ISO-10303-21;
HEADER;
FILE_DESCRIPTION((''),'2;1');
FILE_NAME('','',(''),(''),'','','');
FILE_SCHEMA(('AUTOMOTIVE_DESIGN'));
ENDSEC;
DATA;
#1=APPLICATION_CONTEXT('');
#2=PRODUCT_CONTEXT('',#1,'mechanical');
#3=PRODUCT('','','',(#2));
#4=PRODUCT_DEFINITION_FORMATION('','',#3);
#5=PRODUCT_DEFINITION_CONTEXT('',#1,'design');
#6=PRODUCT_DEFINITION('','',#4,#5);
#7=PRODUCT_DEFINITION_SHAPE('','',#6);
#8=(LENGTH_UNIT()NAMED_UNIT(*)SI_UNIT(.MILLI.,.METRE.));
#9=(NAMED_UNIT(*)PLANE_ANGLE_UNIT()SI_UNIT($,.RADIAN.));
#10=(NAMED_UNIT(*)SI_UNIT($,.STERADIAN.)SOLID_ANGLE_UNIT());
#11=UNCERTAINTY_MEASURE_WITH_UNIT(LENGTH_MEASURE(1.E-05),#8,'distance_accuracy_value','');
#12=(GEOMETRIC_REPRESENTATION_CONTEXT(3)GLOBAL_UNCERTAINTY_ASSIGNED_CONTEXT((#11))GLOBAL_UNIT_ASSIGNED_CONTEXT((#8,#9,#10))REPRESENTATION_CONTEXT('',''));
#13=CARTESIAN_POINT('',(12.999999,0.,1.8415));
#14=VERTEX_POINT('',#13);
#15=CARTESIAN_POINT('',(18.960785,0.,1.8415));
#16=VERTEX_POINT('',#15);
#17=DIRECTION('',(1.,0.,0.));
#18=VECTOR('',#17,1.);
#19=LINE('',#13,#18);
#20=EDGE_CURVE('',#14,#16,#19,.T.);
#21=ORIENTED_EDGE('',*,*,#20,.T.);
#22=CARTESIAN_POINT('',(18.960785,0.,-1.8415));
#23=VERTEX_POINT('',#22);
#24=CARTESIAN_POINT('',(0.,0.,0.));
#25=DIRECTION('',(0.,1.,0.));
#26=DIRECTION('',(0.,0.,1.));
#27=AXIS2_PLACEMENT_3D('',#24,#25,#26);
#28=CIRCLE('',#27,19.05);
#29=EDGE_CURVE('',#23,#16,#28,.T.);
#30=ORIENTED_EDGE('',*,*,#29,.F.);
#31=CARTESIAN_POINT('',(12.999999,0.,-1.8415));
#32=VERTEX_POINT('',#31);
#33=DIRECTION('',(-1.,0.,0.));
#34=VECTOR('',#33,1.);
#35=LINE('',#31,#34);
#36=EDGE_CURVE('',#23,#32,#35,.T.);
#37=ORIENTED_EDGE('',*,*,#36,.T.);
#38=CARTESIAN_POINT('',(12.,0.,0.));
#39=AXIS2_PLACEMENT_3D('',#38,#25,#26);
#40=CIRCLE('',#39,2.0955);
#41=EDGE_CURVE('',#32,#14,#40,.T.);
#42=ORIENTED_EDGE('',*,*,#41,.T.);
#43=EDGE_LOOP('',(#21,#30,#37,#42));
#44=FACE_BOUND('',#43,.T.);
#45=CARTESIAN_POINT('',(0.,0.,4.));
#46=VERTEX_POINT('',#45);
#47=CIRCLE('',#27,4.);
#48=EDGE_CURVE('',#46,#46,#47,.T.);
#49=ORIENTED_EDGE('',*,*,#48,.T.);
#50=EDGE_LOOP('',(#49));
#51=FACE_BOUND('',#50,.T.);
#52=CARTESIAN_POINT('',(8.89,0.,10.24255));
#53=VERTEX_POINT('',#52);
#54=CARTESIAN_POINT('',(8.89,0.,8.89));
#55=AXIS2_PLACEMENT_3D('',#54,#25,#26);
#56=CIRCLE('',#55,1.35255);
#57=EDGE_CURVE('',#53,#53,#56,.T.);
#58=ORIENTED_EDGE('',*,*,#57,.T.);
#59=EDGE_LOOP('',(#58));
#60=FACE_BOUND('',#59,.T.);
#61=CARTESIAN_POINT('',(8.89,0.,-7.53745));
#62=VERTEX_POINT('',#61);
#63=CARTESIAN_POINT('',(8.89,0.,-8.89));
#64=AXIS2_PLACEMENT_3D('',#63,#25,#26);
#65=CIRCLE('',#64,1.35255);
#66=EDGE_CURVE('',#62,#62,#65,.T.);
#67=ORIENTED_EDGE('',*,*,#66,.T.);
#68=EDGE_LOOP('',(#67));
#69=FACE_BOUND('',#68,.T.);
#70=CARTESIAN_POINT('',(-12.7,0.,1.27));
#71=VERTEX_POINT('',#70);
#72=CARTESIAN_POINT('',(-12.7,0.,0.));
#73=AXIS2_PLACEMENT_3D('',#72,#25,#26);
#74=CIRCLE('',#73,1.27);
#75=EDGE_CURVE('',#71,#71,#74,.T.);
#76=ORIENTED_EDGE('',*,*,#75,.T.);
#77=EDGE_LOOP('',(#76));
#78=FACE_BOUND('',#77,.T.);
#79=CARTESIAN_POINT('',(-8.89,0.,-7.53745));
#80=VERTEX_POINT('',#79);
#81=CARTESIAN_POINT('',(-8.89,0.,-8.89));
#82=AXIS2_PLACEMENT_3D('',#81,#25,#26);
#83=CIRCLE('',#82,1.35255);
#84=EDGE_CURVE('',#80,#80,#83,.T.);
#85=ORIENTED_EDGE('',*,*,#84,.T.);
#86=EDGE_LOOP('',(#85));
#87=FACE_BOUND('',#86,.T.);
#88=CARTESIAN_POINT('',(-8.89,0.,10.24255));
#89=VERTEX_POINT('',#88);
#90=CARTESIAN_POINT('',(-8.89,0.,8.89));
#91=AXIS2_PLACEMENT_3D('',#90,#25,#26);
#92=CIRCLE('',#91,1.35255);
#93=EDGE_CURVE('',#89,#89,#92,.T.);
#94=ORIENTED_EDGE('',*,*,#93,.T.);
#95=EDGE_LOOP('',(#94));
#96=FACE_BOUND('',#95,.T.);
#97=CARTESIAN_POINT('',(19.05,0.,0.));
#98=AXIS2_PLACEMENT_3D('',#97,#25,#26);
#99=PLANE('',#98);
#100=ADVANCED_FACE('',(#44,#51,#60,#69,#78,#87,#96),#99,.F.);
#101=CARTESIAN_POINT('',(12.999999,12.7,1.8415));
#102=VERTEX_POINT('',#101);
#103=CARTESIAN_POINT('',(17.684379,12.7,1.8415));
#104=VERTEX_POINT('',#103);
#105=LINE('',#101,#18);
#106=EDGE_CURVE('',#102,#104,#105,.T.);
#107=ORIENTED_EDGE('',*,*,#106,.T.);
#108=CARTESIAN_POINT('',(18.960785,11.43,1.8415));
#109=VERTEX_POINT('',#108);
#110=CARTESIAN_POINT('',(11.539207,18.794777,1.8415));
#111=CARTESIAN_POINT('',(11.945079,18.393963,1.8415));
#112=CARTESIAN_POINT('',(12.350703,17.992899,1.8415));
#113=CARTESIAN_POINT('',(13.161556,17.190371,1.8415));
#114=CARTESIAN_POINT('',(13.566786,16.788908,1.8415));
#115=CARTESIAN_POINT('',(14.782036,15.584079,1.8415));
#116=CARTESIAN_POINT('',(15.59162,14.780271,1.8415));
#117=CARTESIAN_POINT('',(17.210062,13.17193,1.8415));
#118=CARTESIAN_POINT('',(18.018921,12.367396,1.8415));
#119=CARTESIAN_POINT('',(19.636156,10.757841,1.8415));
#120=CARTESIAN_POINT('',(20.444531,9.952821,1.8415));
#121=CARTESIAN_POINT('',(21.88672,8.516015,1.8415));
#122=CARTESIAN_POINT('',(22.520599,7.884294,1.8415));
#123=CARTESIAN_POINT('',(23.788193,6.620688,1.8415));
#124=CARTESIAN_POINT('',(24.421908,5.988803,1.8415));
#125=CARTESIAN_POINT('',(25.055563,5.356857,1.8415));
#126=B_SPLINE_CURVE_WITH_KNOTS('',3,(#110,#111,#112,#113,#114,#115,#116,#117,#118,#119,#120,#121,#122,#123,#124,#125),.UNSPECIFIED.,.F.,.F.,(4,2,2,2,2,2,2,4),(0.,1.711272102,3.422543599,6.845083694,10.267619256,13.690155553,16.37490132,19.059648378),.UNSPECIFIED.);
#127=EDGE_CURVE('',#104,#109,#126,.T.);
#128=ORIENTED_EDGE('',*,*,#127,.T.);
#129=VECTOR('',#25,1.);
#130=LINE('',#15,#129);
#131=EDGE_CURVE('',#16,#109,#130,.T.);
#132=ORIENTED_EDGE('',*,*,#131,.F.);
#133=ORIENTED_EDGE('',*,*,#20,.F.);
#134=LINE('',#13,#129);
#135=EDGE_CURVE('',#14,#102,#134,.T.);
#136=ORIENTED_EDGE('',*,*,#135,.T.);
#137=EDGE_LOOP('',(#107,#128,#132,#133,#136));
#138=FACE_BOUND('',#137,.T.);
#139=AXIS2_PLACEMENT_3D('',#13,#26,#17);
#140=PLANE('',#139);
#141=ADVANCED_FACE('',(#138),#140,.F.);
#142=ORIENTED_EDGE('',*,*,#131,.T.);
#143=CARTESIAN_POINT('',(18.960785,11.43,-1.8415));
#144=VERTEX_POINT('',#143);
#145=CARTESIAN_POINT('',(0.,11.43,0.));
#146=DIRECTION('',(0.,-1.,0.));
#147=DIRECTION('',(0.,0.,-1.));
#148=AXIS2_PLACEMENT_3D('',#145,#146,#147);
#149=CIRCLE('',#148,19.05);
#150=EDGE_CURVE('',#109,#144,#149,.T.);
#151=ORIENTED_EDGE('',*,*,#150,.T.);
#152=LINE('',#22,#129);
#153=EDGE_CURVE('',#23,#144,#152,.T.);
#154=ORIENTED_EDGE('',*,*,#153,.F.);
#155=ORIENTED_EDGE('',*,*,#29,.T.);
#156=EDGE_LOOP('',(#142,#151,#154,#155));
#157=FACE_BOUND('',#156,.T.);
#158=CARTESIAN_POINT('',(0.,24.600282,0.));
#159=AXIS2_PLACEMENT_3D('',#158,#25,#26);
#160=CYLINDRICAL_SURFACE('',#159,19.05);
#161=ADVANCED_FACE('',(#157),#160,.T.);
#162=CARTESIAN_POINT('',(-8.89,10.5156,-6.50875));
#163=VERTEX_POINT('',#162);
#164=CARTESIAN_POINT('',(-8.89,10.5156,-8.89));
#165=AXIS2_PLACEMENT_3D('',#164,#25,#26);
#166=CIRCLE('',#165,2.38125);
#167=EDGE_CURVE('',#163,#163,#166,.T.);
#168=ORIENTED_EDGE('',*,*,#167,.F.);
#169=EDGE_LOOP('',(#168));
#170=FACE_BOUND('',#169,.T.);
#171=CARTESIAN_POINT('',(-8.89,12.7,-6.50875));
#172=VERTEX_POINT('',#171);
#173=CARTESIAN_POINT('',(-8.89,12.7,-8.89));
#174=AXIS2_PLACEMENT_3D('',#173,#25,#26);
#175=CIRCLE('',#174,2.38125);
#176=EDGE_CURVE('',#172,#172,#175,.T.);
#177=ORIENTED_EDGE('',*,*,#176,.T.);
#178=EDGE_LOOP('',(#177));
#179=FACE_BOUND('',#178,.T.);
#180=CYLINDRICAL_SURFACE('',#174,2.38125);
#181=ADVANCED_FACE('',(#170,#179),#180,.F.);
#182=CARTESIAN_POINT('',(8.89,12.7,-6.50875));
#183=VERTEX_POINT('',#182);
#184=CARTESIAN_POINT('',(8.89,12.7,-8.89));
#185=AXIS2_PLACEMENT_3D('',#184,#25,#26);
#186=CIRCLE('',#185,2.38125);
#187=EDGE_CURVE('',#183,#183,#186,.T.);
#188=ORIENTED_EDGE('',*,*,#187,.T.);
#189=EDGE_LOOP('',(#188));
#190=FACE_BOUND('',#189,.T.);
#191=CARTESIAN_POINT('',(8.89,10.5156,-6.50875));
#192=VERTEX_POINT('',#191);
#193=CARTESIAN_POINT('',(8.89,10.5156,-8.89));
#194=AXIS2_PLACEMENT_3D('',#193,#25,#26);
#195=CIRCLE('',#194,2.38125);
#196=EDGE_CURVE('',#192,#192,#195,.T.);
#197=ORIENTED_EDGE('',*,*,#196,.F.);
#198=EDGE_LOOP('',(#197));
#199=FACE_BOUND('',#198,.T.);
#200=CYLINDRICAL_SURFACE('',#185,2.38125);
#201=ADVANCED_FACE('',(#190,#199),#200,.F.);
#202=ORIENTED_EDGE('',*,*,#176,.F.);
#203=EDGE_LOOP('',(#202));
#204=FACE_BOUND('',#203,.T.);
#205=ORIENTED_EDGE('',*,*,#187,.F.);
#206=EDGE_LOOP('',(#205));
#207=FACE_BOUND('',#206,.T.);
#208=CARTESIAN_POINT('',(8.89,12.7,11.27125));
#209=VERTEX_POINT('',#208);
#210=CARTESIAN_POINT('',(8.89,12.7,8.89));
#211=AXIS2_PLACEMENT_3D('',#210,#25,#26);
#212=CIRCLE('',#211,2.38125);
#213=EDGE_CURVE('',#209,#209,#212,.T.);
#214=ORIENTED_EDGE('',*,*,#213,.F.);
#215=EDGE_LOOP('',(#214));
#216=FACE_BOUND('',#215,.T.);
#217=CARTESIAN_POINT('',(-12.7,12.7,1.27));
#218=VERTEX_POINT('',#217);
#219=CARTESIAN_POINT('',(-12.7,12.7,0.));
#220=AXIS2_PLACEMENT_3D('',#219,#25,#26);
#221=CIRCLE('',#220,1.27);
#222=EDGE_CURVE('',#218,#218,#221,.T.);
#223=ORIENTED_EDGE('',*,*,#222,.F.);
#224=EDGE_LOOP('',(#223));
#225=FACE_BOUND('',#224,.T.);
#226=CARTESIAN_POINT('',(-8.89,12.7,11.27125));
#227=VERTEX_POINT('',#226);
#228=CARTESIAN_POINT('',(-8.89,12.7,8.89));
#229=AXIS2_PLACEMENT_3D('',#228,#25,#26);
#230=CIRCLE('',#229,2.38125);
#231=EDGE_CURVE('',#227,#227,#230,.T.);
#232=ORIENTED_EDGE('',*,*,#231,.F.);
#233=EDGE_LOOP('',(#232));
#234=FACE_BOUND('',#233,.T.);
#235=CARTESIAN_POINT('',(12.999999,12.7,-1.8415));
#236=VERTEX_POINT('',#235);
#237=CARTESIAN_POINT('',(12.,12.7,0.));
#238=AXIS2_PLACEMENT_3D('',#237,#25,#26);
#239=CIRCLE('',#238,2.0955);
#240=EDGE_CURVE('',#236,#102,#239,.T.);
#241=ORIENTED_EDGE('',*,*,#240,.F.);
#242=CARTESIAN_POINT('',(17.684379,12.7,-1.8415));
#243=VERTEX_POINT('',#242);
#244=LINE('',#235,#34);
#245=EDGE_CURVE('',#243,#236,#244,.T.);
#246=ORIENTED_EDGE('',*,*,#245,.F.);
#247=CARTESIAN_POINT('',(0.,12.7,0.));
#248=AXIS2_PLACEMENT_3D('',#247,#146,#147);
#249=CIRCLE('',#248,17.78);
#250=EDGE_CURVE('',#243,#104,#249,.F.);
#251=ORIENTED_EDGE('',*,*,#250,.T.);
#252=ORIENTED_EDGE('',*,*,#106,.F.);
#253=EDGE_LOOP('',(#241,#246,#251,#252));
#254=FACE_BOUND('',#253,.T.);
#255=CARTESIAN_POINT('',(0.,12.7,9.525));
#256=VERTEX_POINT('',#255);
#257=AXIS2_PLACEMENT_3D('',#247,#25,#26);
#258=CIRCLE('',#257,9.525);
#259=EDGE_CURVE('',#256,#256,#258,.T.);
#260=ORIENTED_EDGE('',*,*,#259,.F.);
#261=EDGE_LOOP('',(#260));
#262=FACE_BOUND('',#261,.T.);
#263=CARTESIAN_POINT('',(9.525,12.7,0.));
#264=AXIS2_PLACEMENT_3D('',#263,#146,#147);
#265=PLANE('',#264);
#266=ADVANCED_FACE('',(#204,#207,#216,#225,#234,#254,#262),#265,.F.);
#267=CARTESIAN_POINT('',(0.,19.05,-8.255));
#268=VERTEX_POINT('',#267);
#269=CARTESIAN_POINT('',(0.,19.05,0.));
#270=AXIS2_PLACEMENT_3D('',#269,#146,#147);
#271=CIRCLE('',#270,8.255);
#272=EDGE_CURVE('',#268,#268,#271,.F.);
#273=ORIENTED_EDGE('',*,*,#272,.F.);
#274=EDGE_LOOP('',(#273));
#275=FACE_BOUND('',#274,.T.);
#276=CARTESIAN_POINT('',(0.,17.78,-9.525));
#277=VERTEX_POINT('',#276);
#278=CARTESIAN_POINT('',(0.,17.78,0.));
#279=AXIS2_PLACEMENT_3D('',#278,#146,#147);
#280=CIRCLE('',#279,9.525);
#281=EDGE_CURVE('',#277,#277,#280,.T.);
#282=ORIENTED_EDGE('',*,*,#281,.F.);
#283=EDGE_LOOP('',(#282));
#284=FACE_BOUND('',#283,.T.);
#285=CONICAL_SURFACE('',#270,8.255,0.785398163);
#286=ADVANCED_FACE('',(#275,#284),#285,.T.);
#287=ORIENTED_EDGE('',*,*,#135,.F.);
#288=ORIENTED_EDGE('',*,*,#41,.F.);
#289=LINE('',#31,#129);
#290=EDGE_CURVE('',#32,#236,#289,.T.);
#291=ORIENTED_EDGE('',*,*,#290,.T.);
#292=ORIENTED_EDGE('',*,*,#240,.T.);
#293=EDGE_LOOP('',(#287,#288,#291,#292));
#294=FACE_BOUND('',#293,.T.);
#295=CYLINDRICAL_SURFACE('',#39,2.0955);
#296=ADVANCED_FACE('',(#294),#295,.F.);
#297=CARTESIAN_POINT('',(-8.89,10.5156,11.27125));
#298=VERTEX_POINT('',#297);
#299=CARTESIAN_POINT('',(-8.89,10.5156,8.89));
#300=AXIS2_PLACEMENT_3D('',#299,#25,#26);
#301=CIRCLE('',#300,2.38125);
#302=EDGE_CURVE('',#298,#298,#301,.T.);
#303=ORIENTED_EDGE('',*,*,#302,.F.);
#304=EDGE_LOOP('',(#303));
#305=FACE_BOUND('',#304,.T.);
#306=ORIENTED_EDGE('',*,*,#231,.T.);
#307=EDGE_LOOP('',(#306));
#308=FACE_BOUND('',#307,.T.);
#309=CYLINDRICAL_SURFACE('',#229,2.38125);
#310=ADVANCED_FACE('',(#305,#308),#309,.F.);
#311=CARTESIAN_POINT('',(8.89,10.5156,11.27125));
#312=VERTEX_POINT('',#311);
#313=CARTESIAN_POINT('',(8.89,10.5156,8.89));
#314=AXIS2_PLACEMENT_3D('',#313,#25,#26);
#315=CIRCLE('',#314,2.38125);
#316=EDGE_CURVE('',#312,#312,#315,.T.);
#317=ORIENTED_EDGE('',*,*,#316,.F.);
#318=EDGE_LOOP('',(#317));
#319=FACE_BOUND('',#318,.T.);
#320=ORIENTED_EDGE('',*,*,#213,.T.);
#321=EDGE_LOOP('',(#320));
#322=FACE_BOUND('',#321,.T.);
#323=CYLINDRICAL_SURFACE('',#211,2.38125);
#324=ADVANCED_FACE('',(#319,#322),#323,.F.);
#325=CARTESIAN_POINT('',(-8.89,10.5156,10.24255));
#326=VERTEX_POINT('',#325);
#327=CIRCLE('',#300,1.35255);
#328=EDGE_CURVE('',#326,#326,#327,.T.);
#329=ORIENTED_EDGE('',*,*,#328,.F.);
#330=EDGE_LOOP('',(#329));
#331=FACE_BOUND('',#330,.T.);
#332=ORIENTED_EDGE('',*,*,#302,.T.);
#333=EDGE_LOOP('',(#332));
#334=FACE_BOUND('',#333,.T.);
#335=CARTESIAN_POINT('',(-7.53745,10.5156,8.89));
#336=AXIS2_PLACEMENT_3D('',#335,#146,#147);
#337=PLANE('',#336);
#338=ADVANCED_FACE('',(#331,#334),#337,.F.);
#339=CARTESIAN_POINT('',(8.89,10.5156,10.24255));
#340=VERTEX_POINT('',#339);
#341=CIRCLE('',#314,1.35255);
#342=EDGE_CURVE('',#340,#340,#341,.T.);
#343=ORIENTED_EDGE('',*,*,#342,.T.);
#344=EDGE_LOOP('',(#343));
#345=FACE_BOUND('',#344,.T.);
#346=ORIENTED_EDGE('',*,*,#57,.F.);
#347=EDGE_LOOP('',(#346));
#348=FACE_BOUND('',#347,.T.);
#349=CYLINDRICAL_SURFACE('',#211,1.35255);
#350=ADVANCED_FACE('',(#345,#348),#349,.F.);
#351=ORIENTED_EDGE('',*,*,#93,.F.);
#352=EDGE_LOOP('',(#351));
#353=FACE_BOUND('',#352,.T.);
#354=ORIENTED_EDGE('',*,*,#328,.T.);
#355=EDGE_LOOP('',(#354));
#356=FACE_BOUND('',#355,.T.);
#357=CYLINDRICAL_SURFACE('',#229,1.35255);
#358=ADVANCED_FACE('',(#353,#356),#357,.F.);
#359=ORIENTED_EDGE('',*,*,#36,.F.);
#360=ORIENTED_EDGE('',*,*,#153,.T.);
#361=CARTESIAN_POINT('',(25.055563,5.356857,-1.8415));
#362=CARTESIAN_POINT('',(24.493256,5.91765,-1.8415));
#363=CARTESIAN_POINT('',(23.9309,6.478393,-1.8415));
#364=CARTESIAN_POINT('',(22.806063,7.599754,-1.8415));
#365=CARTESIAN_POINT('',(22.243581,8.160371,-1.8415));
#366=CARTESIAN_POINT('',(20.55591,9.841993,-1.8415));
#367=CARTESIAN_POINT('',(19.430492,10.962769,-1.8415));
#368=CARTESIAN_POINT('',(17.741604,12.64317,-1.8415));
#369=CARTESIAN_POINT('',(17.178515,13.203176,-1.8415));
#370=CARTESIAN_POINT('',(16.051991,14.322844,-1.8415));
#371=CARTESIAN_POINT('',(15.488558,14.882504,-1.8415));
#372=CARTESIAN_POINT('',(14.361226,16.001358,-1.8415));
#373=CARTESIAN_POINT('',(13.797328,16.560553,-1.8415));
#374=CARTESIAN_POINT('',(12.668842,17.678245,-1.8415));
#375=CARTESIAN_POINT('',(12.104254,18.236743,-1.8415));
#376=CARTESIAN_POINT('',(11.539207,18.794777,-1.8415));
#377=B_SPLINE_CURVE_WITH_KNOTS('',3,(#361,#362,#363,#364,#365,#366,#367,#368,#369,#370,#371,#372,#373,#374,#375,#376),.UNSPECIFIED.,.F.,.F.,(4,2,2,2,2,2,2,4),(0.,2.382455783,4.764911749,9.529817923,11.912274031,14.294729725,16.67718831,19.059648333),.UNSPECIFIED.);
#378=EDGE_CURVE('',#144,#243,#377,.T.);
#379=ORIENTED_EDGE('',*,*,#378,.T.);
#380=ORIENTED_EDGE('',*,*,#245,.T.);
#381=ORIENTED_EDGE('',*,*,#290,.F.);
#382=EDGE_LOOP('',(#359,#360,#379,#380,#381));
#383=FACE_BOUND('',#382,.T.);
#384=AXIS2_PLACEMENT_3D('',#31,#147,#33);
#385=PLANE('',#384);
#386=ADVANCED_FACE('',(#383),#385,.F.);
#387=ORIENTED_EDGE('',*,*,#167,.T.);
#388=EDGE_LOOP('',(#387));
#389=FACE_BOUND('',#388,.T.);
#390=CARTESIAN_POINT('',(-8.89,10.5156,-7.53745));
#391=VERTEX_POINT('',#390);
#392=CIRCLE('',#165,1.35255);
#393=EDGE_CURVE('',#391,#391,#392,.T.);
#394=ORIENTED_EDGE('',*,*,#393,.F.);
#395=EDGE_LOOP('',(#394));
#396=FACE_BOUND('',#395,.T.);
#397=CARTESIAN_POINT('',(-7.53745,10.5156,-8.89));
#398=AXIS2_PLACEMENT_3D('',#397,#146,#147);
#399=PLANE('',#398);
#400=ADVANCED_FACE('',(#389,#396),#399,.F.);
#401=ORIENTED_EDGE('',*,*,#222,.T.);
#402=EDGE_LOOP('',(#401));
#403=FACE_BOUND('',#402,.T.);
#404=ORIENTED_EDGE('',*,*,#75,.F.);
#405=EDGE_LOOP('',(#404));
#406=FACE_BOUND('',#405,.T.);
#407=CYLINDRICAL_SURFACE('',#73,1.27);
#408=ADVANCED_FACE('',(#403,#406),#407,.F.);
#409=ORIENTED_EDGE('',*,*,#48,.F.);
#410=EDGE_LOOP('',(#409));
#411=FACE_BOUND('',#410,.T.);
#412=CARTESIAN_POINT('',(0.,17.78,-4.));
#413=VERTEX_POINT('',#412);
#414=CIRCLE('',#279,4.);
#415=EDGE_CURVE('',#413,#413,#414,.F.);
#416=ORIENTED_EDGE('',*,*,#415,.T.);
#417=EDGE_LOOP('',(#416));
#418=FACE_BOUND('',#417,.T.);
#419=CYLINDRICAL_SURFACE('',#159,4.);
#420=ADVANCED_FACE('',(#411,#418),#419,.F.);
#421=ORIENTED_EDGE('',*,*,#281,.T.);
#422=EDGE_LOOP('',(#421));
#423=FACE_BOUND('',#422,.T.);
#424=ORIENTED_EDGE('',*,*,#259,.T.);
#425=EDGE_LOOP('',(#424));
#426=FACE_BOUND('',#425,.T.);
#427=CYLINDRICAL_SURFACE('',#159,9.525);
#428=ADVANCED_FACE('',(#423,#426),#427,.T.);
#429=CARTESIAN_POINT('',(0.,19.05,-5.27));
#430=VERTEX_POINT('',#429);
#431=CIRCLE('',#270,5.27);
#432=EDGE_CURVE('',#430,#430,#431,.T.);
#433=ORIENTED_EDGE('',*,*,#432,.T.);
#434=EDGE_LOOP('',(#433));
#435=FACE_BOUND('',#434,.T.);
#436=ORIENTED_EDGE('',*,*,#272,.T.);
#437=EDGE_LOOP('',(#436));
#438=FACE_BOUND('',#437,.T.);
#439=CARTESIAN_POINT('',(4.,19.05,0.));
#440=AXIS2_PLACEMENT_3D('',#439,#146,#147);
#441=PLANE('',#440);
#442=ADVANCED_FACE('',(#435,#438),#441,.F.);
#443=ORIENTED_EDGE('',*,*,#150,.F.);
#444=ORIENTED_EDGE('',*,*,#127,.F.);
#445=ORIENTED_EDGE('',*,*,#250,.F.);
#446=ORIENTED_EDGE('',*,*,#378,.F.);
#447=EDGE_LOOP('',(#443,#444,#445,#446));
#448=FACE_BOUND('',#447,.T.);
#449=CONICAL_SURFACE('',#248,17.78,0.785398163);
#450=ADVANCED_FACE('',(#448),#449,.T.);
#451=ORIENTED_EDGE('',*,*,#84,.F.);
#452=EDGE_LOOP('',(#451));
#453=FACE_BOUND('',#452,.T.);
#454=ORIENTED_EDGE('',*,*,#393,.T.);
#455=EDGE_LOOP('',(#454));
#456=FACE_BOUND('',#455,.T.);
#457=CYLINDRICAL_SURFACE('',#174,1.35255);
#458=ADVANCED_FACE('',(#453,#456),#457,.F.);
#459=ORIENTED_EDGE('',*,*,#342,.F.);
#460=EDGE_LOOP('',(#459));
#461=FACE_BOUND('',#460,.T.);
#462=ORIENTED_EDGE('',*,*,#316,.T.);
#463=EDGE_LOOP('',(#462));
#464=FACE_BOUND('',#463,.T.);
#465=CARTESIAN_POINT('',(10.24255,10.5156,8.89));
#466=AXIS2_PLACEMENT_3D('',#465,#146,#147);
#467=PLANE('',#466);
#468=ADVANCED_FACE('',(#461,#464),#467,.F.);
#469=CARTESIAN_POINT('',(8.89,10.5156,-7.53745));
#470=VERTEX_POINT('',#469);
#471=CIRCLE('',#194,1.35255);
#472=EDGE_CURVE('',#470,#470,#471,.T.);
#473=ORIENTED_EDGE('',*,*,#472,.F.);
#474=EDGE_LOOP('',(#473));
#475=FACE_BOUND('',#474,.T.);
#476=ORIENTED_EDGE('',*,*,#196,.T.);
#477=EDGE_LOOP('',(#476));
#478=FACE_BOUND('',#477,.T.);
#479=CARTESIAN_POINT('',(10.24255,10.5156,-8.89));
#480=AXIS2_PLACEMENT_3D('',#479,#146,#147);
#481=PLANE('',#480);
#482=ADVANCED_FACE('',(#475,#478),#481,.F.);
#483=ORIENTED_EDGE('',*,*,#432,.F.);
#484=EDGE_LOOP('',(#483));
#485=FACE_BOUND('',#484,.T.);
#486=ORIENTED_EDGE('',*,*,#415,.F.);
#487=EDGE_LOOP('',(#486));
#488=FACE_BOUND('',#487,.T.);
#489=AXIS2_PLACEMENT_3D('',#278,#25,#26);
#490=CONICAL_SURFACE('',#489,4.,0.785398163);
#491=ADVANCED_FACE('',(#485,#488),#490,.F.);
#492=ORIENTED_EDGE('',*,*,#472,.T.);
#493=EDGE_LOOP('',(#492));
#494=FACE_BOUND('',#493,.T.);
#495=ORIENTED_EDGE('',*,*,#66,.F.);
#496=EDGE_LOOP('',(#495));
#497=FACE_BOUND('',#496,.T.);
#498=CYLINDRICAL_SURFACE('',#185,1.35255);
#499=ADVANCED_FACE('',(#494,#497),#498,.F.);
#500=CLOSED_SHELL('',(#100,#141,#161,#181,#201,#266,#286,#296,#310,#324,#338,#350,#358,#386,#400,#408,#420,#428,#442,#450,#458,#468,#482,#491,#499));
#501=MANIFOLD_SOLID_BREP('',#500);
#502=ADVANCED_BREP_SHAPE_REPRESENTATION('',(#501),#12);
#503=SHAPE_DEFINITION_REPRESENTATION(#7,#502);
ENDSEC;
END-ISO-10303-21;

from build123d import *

# Parameters (mm, degrees)
CHAMFER1_SIZE                                  = 1.27
CBORE_FOR_2_SOCKET_HEAD_CAP_SCREW1_D           = 2.7051
CBORE_FOR_2_SOCKET_HEAD_CAP_SCREW1_DEPTH       = 12.7
CBORE_FOR_2_SOCKET_HEAD_CAP_SCREW1_CBORE_D     = 4.7625
CBORE_FOR_2_SOCKET_HEAD_CAP_SCREW1_CBORE_DEPTH = 2.1844
CUT_EXTRUDE1_DEPTH                             = 13.7
SKETCH7_R                                      = 1.27
CUT_EXTRUDE2_DEPTH                             = 13.7


with BuildPart() as part:
    # Sketch1 → Revolve1 (revolve)
    with BuildSketch(Plane.XY):
        Polygon((4, 19.05), (9.525, 19.05), (9.525, 12.7), (19.05, 12.7), (19.05, 0), (4, 0), align=None)
    revolve(axis=Axis((0, 24.600281955, 0), (0, -1, 0)))

    # Chamfer1
    chamfer1_edges = [part.edges().sort_by_distance(p)[0] for p in [
        (-19.05, 12.7, 0),
        (-9.525, 19.05, 0),
        (-4, 19.05, 0),
    ]]
    chamfer(chamfer1_edges, length=CHAMFER1_SIZE)

    # CBORE for #2 Socket Head Cap Screw1
    with Locations(Plane(origin=(0, 12.7, 0), x_dir=(1, 0, 0), z_dir=(0, 1, 0))):
        with Locations((-8.89, -8.89), (8.89, -8.89), (8.89, 8.89), (-8.89, 8.89)):
            CounterBoreHole(CBORE_FOR_2_SOCKET_HEAD_CAP_SCREW1_D / 2, CBORE_FOR_2_SOCKET_HEAD_CAP_SCREW1_CBORE_D / 2, CBORE_FOR_2_SOCKET_HEAD_CAP_SCREW1_CBORE_DEPTH, depth=CBORE_FOR_2_SOCKET_HEAD_CAP_SCREW1_DEPTH)

    # Sketch6 → Cut-Extrude1 (cut, through all)
    with BuildSketch(Plane(origin=(0, 12.7, 0), x_dir=(1, 0, 0), z_dir=(0, 1, 0))):
        with BuildLine():
            Line((12.999999, 1.8415), (18.960785262, 1.8415))
            ThreePointArc((18.960785262, 1.8415), (19.05, 0), (18.960785262, -1.8415))
            Line((18.960785262, -1.8415), (12.999999, -1.8415))
            ThreePointArc((12.999999, -1.8415), (9.9045, 0), (12.999999, 1.8415))
        make_face()
    extrude(amount=-CUT_EXTRUDE1_DEPTH, mode=Mode.SUBTRACT)

    # Sketch7 → Cut-Extrude2 (cut, through all)
    with BuildSketch(Plane(origin=(0, 12.7, 0), x_dir=(1, 0, 0), z_dir=(0, 1, 0))):
        with Locations((-12.7, 0)):
            Circle(SKETCH7_R)
    extrude(amount=-CUT_EXTRUDE2_DEPTH, mode=Mode.SUBTRACT)


solid = part.part
